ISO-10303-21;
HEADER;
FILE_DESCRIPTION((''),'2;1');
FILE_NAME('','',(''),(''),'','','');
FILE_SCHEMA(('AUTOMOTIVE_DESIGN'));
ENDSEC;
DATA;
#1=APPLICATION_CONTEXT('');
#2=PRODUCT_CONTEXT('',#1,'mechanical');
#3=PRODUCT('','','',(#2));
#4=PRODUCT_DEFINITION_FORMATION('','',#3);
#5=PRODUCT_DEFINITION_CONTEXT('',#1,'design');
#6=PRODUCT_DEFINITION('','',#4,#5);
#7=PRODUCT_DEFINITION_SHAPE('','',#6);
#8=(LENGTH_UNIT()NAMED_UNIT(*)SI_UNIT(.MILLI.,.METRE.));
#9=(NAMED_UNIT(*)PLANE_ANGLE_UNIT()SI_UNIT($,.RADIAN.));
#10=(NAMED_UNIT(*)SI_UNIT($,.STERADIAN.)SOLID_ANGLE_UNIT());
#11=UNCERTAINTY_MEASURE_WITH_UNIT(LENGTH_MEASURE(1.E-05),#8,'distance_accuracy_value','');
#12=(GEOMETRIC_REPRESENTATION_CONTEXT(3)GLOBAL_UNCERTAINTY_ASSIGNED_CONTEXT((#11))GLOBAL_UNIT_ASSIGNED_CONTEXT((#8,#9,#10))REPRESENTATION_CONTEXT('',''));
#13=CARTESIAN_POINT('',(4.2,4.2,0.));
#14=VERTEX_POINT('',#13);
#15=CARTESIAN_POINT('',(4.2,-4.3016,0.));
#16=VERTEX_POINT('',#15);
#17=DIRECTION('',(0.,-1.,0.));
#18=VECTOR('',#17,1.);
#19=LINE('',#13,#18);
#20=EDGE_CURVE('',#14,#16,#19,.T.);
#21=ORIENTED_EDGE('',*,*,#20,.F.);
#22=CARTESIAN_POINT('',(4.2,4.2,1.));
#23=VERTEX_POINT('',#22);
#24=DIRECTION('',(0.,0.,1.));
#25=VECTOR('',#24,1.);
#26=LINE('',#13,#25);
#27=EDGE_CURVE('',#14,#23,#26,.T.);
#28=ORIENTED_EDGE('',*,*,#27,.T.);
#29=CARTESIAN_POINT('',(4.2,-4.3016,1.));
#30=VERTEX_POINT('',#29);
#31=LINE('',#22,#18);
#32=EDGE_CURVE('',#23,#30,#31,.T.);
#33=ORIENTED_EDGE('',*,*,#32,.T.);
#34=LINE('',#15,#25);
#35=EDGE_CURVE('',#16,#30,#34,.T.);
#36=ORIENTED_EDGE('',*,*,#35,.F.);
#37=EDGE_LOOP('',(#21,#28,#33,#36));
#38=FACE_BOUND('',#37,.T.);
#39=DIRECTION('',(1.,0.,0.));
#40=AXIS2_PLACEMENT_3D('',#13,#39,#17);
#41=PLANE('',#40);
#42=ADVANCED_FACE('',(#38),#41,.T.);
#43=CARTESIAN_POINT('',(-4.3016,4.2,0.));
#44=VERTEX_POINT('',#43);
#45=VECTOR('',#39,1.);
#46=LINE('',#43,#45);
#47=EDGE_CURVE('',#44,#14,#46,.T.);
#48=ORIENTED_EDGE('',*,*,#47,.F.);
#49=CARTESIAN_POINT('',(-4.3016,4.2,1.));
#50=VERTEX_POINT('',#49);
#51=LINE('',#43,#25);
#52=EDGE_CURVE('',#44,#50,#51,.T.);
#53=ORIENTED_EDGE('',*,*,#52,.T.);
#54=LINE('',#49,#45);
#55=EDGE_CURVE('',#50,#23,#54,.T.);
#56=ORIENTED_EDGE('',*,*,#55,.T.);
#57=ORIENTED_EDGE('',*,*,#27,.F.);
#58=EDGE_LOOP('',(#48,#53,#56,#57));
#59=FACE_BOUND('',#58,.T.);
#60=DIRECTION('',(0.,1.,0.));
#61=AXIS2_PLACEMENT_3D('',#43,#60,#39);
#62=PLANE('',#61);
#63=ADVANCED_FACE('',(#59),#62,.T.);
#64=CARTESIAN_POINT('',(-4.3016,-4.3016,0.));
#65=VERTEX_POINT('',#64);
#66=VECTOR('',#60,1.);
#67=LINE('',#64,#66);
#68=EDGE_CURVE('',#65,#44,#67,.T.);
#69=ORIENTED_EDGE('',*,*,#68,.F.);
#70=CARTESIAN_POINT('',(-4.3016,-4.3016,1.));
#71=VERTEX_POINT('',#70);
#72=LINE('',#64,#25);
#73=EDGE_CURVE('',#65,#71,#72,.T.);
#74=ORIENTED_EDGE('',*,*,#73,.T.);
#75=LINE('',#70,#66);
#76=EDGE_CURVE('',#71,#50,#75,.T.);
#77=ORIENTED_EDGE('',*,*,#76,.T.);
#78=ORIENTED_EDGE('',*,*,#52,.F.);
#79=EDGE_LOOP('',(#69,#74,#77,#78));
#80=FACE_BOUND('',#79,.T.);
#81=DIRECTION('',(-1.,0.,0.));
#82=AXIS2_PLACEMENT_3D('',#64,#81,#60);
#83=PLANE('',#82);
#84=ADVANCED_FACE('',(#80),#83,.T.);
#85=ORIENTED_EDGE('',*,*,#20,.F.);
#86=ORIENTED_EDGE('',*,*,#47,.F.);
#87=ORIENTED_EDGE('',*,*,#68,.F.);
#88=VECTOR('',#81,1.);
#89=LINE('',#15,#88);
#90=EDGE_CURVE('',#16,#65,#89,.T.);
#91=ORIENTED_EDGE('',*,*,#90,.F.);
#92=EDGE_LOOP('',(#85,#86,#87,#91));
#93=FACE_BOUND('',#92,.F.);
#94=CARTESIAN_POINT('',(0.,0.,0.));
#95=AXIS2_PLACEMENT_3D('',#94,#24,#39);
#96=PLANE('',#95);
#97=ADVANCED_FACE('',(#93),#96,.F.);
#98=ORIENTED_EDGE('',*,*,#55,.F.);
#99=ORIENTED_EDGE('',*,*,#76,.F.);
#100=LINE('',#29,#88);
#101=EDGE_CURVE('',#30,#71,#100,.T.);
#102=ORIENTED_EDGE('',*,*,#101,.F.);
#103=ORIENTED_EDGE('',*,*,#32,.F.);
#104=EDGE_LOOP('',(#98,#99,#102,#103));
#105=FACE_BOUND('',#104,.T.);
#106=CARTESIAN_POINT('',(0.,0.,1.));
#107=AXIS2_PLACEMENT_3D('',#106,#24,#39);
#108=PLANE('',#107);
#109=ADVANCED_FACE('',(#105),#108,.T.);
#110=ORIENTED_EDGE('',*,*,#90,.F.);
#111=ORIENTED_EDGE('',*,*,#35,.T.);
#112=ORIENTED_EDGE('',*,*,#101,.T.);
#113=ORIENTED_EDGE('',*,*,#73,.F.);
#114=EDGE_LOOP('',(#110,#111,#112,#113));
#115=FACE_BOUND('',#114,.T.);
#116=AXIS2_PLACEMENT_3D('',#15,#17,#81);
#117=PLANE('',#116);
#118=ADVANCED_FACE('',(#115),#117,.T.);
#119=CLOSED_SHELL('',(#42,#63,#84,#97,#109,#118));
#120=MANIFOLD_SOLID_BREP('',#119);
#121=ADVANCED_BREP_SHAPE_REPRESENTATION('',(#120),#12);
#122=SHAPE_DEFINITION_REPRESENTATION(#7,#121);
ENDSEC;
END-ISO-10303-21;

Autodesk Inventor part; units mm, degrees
ref_plane "YZ Plane" through (0, 0, 0) normal (1, 0, 0) x (0, 1, 0)
ref_plane "XZ Plane" through (0, 0, 0) normal (0, 1, 0) x (-1, 0, 0)
ref_plane "XY Plane" through (0, 0, 0) normal (0, 0, 1) x (1, 0, 0)
sketch "153CLV-0810, 153CLV-0810_10" plane through (0, 0, 0) normal (0, 0, 1) x (1, 0, 0)
  line L0 (-4.3016, 4.2) -> (4.2, 4.2)
  line L1 (4.2, 4.2) -> (4.2, -4.3016)
  line L2 (4.2, -4.3016) -> (-4.3016, -4.3016)
  line L3 (-4.3016, -4.3016) -> (-4.3016, 4.2)
extrude "Выдавливание1" add sketch "153CLV-0810, 153CLV-0810_10" along normal blind 1
properties part number "153CLV-0810"
